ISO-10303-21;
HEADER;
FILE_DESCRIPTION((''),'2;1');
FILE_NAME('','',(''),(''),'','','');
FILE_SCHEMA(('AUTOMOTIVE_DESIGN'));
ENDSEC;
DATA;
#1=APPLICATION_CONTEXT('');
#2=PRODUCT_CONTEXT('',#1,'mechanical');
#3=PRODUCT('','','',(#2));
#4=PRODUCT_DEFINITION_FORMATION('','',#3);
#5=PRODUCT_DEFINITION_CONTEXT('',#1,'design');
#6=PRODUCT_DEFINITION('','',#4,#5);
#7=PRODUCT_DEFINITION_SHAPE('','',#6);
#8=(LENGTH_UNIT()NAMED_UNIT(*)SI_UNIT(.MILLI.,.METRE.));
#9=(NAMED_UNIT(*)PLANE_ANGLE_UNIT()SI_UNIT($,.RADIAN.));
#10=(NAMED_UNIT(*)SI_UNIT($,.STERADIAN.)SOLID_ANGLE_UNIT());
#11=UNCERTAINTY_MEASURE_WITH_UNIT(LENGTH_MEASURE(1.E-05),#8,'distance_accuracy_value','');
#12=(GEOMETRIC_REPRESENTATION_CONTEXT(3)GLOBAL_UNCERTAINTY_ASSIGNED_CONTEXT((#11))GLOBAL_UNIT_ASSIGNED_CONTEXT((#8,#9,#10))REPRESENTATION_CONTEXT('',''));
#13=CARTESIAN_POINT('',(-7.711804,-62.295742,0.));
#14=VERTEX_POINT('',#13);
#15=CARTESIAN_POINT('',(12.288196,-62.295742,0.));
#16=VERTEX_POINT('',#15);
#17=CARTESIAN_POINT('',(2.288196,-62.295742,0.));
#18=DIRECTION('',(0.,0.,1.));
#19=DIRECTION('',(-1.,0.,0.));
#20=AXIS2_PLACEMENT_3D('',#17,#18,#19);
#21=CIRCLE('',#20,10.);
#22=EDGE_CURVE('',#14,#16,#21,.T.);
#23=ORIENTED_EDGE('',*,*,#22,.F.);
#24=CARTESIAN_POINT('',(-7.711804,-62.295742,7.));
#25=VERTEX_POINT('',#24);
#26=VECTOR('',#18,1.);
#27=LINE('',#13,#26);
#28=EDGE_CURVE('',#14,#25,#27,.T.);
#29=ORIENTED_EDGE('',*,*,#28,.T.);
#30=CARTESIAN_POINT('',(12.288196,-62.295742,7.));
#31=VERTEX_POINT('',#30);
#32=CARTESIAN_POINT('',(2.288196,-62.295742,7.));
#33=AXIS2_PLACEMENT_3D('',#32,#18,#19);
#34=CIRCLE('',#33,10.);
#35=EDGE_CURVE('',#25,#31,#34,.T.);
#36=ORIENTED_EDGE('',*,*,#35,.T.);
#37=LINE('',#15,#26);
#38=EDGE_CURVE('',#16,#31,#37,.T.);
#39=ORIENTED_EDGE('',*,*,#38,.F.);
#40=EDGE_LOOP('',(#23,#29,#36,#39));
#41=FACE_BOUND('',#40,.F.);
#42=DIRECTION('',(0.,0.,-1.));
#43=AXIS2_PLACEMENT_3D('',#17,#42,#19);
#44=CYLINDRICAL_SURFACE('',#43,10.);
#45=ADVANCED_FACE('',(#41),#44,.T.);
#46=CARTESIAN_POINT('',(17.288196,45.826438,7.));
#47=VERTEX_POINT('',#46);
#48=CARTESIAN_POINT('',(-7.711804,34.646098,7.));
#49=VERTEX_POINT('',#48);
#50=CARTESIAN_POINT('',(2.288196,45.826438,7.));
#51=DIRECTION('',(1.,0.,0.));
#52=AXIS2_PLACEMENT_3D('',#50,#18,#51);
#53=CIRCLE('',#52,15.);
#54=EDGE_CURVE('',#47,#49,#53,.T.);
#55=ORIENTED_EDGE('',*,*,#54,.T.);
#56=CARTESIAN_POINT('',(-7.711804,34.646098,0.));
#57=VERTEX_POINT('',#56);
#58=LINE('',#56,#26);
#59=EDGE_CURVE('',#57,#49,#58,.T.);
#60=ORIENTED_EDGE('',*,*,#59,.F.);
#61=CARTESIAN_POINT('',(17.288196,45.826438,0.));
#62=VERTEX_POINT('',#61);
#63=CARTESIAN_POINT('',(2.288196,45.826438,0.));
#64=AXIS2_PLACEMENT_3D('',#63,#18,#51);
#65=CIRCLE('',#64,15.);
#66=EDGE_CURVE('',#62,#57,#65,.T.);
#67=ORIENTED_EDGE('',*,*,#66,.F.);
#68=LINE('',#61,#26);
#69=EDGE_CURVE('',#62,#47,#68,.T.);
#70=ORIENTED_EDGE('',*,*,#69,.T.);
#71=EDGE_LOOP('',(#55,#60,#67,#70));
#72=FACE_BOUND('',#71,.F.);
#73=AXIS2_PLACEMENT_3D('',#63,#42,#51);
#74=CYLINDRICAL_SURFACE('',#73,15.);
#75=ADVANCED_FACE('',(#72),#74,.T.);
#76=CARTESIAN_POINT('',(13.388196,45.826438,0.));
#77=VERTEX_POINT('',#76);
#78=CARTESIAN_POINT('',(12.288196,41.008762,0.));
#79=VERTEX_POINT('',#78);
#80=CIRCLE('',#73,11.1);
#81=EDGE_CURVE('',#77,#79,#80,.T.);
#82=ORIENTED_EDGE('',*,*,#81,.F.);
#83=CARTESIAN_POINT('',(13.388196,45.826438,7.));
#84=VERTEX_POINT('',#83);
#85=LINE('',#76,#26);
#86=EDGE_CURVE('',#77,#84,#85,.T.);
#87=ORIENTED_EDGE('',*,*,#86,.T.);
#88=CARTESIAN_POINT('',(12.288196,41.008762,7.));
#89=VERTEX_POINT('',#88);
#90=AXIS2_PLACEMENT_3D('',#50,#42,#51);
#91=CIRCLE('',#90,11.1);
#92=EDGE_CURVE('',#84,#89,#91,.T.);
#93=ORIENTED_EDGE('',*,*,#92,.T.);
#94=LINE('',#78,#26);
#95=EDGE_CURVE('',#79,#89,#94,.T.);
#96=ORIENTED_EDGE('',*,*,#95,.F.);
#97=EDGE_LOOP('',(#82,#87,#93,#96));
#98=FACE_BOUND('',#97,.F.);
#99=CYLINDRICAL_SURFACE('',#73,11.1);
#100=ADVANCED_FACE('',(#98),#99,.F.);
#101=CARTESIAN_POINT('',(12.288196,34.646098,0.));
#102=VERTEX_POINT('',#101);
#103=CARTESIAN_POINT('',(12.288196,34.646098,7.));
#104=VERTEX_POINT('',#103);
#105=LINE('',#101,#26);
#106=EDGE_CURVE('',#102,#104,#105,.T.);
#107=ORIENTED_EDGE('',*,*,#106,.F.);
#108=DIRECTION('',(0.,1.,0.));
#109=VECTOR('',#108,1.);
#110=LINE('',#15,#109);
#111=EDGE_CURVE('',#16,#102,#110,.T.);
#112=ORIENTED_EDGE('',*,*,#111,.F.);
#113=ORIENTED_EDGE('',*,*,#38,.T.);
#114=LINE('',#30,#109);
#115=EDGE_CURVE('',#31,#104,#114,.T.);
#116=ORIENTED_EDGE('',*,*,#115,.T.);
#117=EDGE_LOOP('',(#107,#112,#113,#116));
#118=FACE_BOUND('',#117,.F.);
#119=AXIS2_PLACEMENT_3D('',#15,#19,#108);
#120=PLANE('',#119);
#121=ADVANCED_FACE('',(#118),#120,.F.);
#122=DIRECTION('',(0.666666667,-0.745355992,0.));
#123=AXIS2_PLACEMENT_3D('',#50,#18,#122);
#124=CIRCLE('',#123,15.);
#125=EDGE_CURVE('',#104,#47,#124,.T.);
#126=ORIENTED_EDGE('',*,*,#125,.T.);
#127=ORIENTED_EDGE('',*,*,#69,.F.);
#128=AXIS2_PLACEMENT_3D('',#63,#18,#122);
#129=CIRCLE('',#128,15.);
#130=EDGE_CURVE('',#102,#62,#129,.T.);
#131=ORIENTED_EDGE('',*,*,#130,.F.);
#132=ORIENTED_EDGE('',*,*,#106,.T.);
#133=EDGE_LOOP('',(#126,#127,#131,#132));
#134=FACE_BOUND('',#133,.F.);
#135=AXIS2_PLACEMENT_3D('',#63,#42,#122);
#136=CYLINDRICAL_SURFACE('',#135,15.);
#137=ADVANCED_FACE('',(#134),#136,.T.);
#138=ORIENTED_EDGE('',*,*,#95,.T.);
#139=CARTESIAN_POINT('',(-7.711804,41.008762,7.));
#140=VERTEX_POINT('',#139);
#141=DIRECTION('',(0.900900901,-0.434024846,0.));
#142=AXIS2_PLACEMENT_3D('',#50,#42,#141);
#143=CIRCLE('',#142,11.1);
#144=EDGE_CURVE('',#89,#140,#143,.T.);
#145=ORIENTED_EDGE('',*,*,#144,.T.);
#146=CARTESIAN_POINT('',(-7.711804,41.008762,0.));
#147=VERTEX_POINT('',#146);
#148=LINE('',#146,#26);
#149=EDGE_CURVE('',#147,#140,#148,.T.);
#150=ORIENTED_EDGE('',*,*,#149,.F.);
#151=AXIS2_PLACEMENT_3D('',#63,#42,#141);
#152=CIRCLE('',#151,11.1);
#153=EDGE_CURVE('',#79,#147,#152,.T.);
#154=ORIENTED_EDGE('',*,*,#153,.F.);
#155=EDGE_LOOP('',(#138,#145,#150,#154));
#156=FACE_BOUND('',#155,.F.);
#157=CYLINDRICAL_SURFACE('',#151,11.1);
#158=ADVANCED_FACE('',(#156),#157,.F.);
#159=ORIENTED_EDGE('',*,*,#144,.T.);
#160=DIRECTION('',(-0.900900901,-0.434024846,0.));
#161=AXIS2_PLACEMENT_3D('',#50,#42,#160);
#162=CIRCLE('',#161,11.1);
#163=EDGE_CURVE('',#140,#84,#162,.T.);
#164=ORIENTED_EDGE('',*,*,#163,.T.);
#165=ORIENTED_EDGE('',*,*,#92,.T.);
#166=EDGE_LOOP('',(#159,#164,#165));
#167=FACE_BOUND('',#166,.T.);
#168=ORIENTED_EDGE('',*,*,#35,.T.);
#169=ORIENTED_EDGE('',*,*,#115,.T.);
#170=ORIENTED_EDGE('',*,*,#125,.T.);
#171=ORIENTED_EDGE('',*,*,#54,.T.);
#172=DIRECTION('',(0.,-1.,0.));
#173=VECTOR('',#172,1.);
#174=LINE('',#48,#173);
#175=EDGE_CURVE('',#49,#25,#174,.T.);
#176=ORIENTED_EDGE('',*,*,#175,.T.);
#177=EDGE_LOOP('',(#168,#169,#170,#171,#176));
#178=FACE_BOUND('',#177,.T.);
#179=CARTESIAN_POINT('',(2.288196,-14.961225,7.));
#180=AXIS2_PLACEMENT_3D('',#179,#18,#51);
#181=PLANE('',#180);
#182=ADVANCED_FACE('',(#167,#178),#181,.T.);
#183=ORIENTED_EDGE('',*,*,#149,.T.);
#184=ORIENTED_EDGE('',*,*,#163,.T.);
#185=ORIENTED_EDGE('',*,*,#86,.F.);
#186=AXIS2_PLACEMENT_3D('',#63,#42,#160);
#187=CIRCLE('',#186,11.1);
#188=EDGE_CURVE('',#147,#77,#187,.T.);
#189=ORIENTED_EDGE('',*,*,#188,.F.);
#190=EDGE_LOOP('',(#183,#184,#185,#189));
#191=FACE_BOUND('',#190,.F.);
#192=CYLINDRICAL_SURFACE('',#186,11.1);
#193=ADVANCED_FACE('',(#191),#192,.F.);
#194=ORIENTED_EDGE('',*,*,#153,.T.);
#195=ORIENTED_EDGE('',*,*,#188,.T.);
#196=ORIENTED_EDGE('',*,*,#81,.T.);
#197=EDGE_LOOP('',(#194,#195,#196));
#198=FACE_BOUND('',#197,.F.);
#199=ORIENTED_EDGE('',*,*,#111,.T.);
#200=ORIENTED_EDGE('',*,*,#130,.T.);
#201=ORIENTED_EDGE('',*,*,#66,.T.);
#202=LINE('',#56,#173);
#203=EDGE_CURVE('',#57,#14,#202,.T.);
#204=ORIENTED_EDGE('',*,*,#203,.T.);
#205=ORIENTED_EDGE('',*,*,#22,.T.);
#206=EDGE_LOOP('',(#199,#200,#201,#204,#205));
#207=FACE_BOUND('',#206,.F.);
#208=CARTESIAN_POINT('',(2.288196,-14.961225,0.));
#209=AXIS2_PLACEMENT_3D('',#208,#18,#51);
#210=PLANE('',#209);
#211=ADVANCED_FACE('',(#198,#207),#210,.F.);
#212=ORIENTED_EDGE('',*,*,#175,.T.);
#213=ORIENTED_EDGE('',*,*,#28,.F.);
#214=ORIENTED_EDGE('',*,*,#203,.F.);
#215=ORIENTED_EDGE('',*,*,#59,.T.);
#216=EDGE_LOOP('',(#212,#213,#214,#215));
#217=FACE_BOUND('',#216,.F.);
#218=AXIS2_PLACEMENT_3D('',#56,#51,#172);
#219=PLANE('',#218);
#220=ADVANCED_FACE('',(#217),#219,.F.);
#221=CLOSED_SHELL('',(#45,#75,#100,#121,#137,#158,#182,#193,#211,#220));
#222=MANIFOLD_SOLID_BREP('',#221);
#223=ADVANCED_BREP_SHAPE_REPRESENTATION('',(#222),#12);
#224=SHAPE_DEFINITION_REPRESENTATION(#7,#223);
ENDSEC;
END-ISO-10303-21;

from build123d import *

# Parameters (mm, degrees)
F1_DEPTH = 7


with BuildPart() as f1:
    # F0 (on Top) → F1 (new body)
    with BuildSketch(Plane.XY):
        with BuildLine():
            Line((-7.7118040062, 34.6460978838), (-7.7118040062, -62.2957423329))
            ThreePointArc((-7.7118040062, -62.2957423329), (2.2881959938, -52.2957423329), (12.2881959938, -62.2957423329))
            Line((12.2881959938, -62.2957423329), (12.2881959938, 34.6460978838))
            ThreePointArc((12.2881959938, 34.6460978838), (2.2881959938, 30.8264377713), (-7.7118040062, 34.6460978838))
        make_face()
        with BuildLine():
            ThreePointArc((12.2881959938, -62.2957423329), (2.2881959938, -52.2957423329), (-7.7118040062, -62.2957423329))
            ThreePointArc((-7.7118040062, -62.2957423329), (2.2881959938, -72.2957423329), (12.2881959938, -62.2957423329))
        make_face()
        with BuildLine():
            ThreePointArc((17.2881959938, 45.8264377713), (-3.8355283632, 59.5195017089), (-7.7118040062, 34.6460978838))
            Line((-7.7118040062, 34.6460978838), (-7.7118040062, 41.0087619831))
            ThreePointArc((-7.7118040062, 41.0087619831), (-0.1826338264, 56.647944136), (13.3881959938, 45.8264377713))
            ThreePointArc((13.3881959938, 45.8264377713), (13.1097023584, 43.3556079512), (12.2881959938, 41.0087619831))
            Line((12.2881959938, 41.0087619831), (12.2881959938, 34.6460978838))
            ThreePointArc((12.2881959938, 34.6460978838), (15.9812599314, 39.7027134144), (17.2881959938, 45.8264377713))
        make_face()
        with BuildLine():
            Line((-7.7118040062, 41.0087619831), (-7.7118040062, 34.6460978838))
            ThreePointArc((-7.7118040062, 34.6460978838), (2.2881959938, 30.8264377713), (12.2881959938, 34.6460978838))
            Line((12.2881959938, 34.6460978838), (12.2881959938, 41.0087619831))
            ThreePointArc((12.2881959938, 41.0087619831), (2.2881959938, 34.7264377713), (-7.7118040062, 41.0087619831))
        make_face()
    extrude(amount=F1_DEPTH)


solid = f1.part
